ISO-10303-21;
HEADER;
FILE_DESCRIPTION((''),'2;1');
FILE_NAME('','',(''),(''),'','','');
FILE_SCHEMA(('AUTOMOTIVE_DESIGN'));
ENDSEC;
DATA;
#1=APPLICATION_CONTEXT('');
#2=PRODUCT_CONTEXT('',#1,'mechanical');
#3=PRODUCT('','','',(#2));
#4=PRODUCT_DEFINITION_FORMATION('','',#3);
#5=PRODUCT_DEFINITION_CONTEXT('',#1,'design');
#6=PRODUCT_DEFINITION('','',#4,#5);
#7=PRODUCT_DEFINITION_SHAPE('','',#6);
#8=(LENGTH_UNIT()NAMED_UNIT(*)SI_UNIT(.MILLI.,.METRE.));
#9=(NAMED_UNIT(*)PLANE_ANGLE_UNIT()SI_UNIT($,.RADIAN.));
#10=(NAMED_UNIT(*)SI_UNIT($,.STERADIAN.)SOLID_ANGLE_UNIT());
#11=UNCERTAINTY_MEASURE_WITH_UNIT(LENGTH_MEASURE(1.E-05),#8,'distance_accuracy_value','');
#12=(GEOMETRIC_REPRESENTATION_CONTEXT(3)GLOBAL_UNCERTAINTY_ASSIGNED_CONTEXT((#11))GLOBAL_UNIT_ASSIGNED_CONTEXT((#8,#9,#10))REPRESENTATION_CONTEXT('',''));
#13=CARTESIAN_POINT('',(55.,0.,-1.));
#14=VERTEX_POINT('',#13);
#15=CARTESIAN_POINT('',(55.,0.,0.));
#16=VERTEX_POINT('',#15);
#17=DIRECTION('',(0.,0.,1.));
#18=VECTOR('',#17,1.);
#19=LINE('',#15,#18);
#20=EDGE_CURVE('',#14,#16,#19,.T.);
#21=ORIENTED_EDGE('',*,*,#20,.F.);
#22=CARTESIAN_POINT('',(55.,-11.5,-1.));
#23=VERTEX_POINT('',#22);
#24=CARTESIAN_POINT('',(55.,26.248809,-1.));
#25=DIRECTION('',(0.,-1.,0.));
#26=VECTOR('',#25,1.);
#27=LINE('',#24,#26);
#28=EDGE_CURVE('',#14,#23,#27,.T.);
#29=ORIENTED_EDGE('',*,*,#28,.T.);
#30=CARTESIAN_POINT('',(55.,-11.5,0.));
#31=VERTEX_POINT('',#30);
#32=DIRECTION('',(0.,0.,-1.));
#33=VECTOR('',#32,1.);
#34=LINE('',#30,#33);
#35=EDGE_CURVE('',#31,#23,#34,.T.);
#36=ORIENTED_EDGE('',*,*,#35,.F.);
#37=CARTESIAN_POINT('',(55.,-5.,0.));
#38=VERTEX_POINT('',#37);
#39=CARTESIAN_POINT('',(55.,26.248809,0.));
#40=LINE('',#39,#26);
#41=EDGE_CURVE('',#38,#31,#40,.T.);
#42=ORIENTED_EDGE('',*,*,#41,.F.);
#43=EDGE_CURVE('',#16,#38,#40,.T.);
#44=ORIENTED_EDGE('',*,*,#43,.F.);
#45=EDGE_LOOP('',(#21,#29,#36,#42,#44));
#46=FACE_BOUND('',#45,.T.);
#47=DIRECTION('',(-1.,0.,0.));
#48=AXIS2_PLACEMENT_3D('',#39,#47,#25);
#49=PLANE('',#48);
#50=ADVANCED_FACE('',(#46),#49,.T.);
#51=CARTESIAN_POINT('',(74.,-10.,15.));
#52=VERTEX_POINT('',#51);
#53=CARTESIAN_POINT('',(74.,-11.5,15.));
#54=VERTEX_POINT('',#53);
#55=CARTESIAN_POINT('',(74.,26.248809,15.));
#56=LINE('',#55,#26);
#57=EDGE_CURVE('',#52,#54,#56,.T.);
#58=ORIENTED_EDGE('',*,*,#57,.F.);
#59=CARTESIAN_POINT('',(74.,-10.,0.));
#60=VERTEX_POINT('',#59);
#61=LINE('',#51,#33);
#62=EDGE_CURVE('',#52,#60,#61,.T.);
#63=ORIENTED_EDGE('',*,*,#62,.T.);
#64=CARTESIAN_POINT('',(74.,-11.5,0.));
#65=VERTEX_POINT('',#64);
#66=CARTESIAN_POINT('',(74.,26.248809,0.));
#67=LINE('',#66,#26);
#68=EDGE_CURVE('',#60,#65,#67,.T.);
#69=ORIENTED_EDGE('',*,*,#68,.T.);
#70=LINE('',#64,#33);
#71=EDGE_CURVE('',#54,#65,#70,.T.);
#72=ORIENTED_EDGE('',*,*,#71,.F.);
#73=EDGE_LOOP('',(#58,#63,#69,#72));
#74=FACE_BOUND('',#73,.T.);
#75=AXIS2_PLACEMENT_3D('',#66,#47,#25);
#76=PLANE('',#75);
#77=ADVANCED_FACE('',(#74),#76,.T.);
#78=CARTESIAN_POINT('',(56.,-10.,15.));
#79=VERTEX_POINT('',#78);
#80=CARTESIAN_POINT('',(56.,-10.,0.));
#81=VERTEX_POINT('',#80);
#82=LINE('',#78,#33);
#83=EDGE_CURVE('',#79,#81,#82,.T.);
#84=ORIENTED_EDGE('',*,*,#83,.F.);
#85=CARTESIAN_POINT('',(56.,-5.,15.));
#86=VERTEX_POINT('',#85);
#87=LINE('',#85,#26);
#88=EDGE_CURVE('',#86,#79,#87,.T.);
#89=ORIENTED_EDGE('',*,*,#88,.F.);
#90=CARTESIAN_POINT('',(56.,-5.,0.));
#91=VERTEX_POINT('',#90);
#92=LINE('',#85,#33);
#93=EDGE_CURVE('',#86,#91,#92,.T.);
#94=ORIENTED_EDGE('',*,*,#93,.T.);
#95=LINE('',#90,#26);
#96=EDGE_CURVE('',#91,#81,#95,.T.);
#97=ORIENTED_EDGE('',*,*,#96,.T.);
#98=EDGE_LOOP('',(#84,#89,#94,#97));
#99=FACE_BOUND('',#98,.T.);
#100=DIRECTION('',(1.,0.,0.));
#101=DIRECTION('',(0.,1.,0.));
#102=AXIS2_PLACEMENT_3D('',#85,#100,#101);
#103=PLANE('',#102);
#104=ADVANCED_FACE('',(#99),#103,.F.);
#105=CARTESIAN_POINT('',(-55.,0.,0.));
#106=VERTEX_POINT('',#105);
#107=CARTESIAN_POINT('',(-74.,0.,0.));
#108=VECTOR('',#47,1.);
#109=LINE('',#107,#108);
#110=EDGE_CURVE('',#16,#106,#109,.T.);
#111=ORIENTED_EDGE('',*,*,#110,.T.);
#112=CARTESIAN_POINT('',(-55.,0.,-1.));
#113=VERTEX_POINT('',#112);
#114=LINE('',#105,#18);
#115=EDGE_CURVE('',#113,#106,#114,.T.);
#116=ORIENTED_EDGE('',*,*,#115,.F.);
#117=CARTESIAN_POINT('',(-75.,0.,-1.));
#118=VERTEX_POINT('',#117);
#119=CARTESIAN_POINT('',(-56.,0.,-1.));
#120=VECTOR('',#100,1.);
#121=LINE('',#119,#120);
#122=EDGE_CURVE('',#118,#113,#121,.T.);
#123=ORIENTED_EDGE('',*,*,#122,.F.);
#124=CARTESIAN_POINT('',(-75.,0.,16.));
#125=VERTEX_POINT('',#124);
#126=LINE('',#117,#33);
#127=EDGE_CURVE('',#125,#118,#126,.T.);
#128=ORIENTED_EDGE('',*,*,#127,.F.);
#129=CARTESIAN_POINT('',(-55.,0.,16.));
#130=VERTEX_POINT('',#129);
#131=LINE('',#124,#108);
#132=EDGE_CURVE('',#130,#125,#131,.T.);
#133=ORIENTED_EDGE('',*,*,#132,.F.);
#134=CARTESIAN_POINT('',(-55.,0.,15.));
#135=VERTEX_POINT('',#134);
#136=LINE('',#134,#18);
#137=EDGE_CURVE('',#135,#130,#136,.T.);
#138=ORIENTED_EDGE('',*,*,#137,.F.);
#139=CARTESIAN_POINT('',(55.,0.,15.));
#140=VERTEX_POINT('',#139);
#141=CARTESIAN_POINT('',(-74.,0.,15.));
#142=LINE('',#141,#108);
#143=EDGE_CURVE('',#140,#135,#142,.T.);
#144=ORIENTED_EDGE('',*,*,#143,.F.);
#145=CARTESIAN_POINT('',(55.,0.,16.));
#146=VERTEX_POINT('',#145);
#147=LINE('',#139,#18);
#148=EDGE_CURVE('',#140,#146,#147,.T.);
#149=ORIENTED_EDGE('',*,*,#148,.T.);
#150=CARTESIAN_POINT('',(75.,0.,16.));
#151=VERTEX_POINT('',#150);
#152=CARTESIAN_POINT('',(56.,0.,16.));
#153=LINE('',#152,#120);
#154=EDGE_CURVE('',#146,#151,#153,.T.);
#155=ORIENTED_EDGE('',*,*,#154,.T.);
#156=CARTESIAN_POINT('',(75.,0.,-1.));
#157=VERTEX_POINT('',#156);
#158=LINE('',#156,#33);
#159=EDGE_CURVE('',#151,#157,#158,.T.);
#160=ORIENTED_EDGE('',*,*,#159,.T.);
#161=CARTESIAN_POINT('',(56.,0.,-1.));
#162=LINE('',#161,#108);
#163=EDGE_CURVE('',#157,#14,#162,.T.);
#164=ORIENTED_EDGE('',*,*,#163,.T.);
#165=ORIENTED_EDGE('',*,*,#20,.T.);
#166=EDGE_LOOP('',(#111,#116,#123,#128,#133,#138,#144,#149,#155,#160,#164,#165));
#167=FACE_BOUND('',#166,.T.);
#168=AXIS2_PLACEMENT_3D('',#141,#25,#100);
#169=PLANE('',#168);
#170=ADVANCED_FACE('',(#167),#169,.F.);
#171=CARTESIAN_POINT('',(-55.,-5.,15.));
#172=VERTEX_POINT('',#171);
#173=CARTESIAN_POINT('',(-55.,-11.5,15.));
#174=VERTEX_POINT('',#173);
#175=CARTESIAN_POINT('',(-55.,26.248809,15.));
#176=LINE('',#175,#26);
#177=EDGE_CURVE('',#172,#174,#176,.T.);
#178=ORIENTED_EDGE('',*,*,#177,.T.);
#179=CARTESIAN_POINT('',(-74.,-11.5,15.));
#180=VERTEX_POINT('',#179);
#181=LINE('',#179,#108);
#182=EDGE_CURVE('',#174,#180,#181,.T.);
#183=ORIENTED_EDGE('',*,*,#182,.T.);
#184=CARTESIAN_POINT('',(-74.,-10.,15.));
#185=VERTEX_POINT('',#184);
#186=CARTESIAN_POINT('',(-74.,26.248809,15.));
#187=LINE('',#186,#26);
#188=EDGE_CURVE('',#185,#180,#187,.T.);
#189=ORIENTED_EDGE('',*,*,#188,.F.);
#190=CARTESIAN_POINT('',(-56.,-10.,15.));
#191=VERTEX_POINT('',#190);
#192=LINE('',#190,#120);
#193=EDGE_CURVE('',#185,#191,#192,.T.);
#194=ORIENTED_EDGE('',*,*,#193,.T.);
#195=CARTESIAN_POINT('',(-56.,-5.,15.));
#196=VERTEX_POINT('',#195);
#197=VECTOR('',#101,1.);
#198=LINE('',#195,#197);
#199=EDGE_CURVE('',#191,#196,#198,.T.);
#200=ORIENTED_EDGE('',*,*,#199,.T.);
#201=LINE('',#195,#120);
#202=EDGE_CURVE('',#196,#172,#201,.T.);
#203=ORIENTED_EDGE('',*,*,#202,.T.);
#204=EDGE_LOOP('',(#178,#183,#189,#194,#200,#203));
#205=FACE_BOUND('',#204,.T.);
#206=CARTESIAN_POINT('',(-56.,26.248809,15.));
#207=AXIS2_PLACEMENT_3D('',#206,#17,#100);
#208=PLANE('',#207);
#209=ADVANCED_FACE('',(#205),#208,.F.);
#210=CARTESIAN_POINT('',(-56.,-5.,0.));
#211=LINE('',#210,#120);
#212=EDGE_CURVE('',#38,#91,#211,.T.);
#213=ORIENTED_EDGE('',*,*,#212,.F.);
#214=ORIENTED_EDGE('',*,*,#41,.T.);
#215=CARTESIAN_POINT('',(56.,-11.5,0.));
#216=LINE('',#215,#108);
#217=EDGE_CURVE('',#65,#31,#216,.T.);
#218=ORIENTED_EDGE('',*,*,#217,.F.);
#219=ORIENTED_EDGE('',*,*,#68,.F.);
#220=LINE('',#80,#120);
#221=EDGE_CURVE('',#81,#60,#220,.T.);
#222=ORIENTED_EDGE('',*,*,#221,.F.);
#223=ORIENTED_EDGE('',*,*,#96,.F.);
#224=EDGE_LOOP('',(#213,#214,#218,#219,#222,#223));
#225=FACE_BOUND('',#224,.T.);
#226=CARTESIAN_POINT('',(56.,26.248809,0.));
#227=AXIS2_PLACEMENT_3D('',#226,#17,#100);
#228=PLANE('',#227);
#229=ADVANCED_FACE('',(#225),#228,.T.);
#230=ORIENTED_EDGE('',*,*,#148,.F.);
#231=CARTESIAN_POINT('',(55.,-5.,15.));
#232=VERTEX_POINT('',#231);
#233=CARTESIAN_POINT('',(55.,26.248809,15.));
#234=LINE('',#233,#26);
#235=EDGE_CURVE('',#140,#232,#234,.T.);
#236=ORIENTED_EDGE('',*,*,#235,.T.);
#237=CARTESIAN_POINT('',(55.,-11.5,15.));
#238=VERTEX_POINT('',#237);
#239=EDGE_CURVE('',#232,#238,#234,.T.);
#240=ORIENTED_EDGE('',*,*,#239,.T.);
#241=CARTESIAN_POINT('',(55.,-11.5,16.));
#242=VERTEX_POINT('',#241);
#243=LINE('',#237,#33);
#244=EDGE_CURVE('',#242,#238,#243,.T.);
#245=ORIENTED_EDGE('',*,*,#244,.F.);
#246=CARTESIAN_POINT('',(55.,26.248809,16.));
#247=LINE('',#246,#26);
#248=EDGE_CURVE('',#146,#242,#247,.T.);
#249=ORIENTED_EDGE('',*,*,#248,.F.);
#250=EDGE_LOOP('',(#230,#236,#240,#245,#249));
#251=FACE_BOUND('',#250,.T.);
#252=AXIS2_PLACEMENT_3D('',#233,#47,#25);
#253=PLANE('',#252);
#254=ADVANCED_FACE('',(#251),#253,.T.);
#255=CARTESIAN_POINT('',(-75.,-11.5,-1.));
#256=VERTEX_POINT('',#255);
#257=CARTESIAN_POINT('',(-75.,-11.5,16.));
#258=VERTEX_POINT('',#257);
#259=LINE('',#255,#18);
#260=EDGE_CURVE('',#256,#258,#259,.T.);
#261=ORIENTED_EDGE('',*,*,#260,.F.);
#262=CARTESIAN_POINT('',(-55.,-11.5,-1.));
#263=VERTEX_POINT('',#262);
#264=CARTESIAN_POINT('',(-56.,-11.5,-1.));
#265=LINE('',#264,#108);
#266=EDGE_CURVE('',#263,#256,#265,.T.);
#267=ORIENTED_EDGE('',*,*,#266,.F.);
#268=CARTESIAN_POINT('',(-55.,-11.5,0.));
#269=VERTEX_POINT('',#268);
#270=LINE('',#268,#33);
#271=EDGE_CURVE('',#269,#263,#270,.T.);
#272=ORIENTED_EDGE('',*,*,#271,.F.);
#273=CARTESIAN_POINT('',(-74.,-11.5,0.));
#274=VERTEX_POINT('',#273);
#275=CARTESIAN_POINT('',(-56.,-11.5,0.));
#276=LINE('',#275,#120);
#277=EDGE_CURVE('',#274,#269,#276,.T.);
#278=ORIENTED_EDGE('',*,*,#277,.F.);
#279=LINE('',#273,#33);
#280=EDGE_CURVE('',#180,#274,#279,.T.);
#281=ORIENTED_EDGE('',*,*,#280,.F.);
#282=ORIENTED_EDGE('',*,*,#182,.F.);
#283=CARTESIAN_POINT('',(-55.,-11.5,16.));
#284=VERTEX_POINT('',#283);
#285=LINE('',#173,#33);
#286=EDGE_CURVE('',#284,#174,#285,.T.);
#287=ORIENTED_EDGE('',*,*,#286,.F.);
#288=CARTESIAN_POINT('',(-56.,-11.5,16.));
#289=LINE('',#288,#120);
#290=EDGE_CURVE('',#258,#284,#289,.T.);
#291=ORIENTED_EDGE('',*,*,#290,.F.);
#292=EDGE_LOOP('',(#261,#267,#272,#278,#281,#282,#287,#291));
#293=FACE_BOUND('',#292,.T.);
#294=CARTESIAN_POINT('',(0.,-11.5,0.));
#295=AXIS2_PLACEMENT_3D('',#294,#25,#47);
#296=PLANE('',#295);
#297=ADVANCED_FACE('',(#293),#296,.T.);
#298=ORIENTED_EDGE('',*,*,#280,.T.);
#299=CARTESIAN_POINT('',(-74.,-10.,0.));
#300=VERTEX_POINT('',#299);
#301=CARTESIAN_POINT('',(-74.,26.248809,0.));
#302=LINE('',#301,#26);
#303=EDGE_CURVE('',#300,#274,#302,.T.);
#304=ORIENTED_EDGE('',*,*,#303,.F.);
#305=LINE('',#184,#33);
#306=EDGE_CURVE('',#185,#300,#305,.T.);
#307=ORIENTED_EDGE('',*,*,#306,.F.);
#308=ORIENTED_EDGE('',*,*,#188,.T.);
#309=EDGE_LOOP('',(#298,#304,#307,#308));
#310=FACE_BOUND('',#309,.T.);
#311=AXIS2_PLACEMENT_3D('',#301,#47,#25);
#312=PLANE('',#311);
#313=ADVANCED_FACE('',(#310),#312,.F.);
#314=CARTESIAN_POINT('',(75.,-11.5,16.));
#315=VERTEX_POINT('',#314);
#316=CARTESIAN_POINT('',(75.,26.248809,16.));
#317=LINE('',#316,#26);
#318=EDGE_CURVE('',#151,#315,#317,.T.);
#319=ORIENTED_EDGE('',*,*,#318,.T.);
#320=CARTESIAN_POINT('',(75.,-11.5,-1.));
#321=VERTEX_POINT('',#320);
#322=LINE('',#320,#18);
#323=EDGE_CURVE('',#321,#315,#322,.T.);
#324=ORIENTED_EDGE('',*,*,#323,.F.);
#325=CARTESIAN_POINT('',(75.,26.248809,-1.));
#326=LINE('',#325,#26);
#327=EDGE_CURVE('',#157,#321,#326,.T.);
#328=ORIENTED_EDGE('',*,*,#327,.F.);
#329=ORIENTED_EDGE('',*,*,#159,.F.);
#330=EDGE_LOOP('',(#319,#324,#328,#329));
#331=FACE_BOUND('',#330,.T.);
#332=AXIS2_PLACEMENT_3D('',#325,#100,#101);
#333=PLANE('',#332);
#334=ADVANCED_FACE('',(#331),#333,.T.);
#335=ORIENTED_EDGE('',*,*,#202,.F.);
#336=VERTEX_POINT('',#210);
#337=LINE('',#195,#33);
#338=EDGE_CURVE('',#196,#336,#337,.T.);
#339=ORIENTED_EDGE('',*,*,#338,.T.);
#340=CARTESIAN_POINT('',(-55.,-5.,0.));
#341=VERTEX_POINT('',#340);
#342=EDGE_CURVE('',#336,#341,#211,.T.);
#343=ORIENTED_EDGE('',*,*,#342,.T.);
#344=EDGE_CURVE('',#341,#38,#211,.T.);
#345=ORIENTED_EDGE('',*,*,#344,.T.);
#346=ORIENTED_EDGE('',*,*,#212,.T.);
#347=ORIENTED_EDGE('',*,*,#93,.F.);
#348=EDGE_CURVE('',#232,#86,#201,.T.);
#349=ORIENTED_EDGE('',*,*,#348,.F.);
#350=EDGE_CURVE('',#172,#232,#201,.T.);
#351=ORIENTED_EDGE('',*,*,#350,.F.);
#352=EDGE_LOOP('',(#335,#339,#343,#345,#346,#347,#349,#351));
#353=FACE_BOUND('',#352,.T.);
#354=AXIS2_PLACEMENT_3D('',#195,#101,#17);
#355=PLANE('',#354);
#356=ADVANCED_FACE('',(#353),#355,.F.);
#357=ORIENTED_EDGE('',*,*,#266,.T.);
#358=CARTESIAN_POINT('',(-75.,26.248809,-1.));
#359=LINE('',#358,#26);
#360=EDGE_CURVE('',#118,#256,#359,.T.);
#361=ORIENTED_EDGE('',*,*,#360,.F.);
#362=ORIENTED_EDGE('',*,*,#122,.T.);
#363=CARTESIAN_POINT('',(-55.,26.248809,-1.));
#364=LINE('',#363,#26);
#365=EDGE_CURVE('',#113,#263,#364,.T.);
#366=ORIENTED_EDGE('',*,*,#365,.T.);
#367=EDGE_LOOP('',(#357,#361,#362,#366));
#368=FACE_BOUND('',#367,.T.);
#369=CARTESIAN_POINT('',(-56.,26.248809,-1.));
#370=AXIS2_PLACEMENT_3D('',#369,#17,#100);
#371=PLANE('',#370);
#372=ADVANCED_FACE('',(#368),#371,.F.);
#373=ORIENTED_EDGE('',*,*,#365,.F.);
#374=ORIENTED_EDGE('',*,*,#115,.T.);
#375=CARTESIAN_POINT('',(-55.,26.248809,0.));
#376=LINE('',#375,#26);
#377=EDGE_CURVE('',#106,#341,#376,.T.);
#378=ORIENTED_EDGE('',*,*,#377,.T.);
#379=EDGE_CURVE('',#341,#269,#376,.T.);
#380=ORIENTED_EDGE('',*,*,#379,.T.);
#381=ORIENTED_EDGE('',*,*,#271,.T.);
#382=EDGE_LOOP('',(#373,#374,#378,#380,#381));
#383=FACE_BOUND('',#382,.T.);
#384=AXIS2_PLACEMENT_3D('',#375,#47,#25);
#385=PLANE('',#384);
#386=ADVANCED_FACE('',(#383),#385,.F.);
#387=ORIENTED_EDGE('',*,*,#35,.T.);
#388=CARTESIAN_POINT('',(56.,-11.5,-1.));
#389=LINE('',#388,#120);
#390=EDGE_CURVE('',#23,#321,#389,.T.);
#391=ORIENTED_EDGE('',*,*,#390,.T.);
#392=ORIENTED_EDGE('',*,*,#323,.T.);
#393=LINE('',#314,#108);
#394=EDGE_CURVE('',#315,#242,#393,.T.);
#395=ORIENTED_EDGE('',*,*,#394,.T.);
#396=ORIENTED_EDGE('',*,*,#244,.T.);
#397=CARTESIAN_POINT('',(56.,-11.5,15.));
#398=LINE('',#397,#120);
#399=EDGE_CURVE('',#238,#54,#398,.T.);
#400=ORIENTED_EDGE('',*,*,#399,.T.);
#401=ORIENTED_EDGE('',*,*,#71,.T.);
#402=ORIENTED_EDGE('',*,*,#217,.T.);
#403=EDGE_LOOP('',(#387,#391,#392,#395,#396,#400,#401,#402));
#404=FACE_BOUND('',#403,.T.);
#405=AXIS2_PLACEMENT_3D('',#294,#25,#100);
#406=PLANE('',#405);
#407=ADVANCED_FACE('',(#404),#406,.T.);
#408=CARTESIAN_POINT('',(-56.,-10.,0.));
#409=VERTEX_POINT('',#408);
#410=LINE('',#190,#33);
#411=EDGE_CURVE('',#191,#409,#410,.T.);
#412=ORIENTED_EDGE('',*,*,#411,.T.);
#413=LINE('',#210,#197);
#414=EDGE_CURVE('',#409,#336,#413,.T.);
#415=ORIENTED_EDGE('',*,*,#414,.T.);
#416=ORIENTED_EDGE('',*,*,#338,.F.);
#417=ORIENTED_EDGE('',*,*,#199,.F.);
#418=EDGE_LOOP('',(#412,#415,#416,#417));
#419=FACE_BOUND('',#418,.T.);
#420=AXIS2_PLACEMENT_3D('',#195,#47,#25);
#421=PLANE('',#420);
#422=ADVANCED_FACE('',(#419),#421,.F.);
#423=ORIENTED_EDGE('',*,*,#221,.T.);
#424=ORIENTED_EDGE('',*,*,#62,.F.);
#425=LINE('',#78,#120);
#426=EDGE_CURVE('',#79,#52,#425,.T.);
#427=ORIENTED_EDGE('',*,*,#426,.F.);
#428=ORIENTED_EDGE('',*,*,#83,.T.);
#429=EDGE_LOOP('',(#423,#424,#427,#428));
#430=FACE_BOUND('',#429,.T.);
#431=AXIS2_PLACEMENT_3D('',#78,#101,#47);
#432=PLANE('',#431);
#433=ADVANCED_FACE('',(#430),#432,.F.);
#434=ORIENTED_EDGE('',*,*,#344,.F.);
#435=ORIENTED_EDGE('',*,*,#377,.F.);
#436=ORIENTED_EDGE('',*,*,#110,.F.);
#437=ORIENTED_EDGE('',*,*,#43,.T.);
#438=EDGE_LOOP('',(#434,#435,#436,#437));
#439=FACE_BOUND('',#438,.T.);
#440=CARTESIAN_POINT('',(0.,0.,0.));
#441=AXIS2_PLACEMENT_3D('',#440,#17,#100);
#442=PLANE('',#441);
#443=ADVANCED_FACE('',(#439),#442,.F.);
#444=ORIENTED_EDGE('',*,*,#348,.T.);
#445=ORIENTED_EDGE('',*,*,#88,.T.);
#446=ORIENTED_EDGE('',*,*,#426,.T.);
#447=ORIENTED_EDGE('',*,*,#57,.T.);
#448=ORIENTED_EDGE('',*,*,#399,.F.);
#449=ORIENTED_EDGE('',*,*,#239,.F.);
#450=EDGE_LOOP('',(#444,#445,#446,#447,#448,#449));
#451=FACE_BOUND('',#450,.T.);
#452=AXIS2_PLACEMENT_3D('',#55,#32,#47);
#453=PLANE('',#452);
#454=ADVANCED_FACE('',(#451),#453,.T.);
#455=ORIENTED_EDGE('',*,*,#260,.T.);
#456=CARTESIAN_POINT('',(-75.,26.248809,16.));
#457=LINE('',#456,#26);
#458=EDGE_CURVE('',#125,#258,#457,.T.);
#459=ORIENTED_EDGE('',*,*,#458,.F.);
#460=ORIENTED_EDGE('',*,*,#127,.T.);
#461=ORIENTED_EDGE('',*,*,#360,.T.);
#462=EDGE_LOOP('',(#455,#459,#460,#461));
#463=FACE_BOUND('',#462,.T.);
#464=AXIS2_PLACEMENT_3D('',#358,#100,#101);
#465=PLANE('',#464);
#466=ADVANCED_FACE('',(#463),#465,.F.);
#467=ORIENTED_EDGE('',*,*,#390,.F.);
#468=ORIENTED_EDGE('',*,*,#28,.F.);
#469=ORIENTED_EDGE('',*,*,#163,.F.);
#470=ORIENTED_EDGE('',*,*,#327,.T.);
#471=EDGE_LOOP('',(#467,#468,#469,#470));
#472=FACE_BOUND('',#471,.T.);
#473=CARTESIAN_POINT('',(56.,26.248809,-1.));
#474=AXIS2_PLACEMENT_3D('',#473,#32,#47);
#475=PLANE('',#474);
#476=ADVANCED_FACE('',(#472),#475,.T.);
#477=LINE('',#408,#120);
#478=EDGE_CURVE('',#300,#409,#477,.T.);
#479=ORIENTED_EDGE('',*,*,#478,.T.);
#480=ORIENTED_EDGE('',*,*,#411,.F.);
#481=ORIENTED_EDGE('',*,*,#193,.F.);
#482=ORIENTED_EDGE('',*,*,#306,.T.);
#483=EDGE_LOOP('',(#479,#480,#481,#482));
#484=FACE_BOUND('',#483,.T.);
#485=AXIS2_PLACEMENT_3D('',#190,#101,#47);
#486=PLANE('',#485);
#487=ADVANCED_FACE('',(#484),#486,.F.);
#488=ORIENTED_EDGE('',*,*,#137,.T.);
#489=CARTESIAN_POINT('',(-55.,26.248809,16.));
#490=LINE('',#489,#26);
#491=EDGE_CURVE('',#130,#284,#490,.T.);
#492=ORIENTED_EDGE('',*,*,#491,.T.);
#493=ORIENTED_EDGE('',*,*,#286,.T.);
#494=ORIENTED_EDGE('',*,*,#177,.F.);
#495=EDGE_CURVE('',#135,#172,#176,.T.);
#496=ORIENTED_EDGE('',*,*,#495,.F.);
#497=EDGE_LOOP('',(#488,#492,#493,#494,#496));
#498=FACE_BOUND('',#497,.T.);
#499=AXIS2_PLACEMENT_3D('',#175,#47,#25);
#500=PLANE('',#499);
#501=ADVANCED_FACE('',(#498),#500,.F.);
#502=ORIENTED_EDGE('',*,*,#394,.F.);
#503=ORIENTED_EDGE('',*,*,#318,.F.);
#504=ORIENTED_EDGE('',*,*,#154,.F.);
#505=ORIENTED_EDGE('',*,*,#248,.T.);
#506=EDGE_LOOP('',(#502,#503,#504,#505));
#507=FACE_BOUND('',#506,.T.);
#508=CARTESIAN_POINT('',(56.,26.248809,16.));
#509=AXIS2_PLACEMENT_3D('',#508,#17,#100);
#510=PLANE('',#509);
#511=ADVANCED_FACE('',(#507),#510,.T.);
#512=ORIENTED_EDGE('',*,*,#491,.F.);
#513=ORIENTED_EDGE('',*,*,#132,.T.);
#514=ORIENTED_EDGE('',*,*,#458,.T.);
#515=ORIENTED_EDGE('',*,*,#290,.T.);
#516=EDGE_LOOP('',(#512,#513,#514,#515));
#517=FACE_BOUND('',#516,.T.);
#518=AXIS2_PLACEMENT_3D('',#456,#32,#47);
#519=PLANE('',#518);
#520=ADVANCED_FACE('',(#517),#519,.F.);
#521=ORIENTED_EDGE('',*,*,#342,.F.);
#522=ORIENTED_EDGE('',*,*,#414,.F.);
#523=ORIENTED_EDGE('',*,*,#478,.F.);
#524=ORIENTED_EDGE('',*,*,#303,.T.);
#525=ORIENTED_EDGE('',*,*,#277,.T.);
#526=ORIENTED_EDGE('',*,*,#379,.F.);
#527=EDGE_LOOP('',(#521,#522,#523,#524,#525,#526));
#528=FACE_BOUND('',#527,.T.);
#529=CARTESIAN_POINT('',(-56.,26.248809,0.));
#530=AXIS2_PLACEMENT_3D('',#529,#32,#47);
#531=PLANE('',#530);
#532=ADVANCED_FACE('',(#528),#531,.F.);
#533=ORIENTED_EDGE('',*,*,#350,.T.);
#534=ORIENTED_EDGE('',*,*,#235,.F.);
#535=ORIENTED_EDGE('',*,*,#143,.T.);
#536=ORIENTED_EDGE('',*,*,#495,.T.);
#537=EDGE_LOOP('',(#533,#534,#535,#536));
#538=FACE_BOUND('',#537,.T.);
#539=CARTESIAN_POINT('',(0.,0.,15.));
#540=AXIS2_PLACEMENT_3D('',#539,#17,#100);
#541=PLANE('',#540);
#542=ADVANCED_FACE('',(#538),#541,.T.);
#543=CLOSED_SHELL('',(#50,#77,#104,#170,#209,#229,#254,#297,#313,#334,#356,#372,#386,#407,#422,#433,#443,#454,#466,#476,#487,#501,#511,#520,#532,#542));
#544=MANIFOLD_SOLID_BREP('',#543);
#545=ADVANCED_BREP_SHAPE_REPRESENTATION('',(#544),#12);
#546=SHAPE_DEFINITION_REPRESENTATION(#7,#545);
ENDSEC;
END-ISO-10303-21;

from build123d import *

# Parameters (mm, degrees)
AUFSATZ_LINEAR_AUSTRAGEN1_DEPTH             = 15
AUFSATZ_LINEAR_AUSTRAGEN4_DEPTH             = 1.5
AUFSATZ_LINEAR_AUSTRAGEN4_DIRECTION_2_REACH = 78.164


with BuildPart() as part:
    # Skizze1 → Aufsatz-Linear austragen1 (new body)
    with BuildSketch(Plane.XY):
        Polygon((-74, 0), (-74, -10), (-56, -10), (-56, -5), (56, -5), (56, -10), (74, -10), (74, 0), align=None)
    extrude(amount=AUFSATZ_LINEAR_AUSTRAGEN1_DEPTH)

    # Skizze5 → Aufsatz-Linear austragen4 (add)
    with BuildSketch(Plane.XZ.offset(10)):
        Polygon((56, 0), (55, 0), (55, -1), (56, -1), (75, -1), (75, 16), (56, 16), (55, 16), (55, 15), (56, 15), (74, 15), (74, 0), align=None)
    aufsatz_linear_austragen4 = extrude(amount=AUFSATZ_LINEAR_AUSTRAGEN4_DEPTH)

    # Aufsatz-Linear austragen4 direction 2: up to this face of the body (flat: up to its plane)
    aufsatz_linear_austragen4_direction_2_end = Plane(part.part.faces().sort_by_distance((0, 0, 7.5))[0])
    # Skizze5 → Aufsatz-Linear austragen4 direction 2 (add, up to the picked face)
    with BuildSketch(Plane.XZ.offset(10), mode=Mode.PRIVATE) as aufsatz_linear_austragen4_direction_2_sk1:
        Polygon((56, 0), (55, 0), (55, -1), (56, -1), (75, -1), (75, 16), (56, 16), (55, 16), (55, 15), (56, 15), (74, 15), (74, 0), align=None)
    aufsatz_linear_austragen4_direction_2_tool1 = split(extrude(aufsatz_linear_austragen4_direction_2_sk1.sketch, amount=-AUFSATZ_LINEAR_AUSTRAGEN4_DIRECTION_2_REACH, mode=Mode.PRIVATE), bisect_by=aufsatz_linear_austragen4_direction_2_end, keep=Keep.BOTH, mode=Mode.PRIVATE)
    aufsatz_linear_austragen4_direction_2 = aufsatz_linear_austragen4_direction_2_tool1.solids().sort_by(Axis((55.5, -10, -0.262488), (0, 1, 0)))[0]
    add(aufsatz_linear_austragen4_direction_2)

    # Spiegeln1: Aufsatz-Linear austragen4, Aufsatz-Linear austragen4 direction 2 across plane
    add(aufsatz_linear_austragen4.mirror(Plane(origin=(0, 0, 0), x_dir=(0, 0, 1), z_dir=(1, 0, 0))))
    add(aufsatz_linear_austragen4_direction_2.mirror(Plane(origin=(0, 0, 0), x_dir=(0, 0, 1), z_dir=(1, 0, 0))))


solid = part.part
